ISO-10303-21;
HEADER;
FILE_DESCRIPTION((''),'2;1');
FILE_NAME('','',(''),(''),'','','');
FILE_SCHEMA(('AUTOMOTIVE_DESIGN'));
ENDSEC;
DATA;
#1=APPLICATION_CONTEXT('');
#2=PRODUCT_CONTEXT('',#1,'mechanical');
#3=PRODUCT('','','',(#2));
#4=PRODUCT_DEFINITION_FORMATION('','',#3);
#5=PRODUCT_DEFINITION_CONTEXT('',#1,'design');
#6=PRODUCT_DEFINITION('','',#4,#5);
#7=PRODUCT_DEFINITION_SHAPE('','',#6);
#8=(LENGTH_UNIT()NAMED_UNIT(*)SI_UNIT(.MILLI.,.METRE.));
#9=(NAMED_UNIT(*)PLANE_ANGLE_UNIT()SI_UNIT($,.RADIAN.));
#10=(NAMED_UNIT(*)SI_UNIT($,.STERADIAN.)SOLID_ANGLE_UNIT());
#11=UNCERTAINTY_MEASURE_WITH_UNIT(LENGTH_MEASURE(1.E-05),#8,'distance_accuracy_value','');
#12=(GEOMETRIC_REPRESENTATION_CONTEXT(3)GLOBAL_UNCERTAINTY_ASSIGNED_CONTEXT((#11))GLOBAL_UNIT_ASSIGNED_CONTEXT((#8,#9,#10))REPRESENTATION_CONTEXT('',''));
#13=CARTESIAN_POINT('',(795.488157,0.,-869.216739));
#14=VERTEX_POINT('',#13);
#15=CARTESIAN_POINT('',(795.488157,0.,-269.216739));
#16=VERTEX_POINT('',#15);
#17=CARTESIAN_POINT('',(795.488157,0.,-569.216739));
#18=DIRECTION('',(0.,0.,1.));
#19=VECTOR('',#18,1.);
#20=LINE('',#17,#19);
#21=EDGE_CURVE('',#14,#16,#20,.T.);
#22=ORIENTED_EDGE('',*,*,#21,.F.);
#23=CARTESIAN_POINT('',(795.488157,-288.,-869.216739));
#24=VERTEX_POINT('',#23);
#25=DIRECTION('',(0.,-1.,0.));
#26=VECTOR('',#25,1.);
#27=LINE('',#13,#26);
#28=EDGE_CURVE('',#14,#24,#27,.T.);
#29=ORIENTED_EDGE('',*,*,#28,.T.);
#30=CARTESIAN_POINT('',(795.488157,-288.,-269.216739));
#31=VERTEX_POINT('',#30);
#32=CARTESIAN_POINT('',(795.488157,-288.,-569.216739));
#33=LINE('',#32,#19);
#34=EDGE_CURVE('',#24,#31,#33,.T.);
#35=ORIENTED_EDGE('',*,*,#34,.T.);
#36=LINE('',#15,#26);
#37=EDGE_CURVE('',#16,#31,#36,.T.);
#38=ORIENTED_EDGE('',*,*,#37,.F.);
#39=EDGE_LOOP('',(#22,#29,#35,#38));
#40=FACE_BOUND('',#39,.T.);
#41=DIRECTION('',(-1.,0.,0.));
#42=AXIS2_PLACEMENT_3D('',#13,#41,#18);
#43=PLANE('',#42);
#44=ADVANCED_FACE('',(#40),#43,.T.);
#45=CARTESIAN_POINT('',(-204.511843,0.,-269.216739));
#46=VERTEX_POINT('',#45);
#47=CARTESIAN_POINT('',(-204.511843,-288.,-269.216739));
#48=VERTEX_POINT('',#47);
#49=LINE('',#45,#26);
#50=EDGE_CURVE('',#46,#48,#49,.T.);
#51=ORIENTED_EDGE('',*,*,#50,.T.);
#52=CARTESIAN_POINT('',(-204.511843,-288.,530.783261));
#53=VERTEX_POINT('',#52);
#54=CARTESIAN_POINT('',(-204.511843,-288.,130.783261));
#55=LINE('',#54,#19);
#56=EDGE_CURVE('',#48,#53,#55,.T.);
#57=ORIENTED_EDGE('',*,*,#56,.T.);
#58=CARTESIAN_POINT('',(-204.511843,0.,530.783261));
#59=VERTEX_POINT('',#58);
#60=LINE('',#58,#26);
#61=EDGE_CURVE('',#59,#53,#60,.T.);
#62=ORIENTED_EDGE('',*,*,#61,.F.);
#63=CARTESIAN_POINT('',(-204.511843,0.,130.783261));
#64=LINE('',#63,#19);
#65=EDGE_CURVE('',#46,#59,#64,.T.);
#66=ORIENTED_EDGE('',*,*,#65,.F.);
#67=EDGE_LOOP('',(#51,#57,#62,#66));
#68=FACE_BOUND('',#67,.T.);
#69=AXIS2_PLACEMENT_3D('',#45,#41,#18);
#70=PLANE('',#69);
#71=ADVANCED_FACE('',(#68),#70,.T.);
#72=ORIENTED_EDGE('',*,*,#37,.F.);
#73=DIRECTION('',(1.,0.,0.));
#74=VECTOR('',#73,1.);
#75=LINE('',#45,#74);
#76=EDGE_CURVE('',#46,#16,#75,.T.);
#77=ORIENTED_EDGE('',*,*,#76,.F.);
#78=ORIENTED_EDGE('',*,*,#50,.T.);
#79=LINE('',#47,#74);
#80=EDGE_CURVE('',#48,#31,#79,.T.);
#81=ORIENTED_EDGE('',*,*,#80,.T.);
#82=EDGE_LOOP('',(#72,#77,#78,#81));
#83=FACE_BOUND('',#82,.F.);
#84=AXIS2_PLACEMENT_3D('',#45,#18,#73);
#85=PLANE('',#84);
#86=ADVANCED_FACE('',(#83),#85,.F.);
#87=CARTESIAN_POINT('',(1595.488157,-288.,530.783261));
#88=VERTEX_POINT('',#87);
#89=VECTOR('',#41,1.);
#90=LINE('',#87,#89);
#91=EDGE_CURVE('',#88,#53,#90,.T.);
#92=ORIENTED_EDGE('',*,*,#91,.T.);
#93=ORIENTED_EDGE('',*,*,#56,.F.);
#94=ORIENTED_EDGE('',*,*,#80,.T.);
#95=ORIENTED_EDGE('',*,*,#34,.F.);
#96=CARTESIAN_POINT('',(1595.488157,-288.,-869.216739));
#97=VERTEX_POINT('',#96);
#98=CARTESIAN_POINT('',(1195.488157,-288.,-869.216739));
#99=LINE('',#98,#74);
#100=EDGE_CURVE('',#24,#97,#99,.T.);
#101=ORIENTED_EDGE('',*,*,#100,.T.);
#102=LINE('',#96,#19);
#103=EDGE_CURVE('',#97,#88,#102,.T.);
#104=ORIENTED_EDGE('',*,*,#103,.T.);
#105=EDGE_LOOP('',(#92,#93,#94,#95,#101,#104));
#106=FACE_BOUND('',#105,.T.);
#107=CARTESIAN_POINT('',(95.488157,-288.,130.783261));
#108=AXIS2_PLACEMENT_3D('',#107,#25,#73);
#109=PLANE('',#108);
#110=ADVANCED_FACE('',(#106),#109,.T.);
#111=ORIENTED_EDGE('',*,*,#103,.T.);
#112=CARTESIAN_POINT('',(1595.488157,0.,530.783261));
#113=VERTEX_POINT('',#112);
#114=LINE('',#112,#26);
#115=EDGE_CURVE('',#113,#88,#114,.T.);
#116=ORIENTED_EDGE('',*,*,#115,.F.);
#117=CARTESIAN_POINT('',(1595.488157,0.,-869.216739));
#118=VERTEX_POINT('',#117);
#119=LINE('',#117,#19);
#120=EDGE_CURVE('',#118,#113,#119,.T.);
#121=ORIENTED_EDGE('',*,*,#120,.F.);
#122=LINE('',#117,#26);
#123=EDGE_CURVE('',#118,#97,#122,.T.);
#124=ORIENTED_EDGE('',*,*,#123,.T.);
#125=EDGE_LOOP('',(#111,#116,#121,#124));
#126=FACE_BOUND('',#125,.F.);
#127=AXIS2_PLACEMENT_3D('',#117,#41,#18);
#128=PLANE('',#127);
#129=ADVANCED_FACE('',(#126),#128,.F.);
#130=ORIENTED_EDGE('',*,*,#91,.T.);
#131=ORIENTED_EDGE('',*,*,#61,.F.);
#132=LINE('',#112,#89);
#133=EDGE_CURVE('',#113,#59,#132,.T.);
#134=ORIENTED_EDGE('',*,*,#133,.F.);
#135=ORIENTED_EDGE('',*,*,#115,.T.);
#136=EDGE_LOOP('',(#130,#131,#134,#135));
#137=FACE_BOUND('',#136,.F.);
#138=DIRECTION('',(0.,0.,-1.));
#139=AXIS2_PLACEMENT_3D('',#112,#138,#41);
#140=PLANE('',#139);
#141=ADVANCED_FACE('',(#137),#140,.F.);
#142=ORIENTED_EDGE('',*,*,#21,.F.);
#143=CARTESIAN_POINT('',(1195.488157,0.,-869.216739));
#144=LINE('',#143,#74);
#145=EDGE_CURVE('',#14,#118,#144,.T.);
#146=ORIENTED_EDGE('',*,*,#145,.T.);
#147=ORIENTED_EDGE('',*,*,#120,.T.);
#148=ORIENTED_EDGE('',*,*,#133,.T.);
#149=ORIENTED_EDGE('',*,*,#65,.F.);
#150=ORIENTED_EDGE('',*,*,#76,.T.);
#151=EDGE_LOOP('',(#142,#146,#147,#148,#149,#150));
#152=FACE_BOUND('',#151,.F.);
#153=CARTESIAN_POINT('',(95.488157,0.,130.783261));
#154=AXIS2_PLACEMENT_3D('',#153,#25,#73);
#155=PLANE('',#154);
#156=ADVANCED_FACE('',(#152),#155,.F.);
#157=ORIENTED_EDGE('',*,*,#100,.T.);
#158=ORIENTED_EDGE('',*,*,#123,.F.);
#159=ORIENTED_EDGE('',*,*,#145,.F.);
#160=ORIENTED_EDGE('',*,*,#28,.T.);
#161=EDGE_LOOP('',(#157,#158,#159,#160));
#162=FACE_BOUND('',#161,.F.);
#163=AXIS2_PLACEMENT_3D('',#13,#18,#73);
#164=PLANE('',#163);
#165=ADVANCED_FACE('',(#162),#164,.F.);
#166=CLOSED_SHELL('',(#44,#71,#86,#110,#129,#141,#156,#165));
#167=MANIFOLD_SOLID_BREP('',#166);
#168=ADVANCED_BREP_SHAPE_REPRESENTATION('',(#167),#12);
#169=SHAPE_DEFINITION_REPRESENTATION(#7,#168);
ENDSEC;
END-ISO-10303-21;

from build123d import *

# Parameters (mm, degrees)
F0_W     = 600
F0_H     = 800
F0_W_2   = 800
F0_H_2   = 600
F1_DEPTH = 288


with BuildPart() as f1:
    # F0 (on Front) → F1 (new body)
    with BuildSketch(Plane.XZ):
        with Locations((95.488157, 130.783261)):
            Rectangle(F0_W, F0_H)
        with Locations((1195.488157, -569.216739)):
            Rectangle(F0_W_2, F0_H_2)
        Polygon((1595.488157, 530.783261), (395.488157, 530.783261), (395.488157, -269.216739), (795.488157, -269.216739), (1595.488157, -269.216739), align=None)
    extrude(amount=F1_DEPTH)


solid = f1.part
